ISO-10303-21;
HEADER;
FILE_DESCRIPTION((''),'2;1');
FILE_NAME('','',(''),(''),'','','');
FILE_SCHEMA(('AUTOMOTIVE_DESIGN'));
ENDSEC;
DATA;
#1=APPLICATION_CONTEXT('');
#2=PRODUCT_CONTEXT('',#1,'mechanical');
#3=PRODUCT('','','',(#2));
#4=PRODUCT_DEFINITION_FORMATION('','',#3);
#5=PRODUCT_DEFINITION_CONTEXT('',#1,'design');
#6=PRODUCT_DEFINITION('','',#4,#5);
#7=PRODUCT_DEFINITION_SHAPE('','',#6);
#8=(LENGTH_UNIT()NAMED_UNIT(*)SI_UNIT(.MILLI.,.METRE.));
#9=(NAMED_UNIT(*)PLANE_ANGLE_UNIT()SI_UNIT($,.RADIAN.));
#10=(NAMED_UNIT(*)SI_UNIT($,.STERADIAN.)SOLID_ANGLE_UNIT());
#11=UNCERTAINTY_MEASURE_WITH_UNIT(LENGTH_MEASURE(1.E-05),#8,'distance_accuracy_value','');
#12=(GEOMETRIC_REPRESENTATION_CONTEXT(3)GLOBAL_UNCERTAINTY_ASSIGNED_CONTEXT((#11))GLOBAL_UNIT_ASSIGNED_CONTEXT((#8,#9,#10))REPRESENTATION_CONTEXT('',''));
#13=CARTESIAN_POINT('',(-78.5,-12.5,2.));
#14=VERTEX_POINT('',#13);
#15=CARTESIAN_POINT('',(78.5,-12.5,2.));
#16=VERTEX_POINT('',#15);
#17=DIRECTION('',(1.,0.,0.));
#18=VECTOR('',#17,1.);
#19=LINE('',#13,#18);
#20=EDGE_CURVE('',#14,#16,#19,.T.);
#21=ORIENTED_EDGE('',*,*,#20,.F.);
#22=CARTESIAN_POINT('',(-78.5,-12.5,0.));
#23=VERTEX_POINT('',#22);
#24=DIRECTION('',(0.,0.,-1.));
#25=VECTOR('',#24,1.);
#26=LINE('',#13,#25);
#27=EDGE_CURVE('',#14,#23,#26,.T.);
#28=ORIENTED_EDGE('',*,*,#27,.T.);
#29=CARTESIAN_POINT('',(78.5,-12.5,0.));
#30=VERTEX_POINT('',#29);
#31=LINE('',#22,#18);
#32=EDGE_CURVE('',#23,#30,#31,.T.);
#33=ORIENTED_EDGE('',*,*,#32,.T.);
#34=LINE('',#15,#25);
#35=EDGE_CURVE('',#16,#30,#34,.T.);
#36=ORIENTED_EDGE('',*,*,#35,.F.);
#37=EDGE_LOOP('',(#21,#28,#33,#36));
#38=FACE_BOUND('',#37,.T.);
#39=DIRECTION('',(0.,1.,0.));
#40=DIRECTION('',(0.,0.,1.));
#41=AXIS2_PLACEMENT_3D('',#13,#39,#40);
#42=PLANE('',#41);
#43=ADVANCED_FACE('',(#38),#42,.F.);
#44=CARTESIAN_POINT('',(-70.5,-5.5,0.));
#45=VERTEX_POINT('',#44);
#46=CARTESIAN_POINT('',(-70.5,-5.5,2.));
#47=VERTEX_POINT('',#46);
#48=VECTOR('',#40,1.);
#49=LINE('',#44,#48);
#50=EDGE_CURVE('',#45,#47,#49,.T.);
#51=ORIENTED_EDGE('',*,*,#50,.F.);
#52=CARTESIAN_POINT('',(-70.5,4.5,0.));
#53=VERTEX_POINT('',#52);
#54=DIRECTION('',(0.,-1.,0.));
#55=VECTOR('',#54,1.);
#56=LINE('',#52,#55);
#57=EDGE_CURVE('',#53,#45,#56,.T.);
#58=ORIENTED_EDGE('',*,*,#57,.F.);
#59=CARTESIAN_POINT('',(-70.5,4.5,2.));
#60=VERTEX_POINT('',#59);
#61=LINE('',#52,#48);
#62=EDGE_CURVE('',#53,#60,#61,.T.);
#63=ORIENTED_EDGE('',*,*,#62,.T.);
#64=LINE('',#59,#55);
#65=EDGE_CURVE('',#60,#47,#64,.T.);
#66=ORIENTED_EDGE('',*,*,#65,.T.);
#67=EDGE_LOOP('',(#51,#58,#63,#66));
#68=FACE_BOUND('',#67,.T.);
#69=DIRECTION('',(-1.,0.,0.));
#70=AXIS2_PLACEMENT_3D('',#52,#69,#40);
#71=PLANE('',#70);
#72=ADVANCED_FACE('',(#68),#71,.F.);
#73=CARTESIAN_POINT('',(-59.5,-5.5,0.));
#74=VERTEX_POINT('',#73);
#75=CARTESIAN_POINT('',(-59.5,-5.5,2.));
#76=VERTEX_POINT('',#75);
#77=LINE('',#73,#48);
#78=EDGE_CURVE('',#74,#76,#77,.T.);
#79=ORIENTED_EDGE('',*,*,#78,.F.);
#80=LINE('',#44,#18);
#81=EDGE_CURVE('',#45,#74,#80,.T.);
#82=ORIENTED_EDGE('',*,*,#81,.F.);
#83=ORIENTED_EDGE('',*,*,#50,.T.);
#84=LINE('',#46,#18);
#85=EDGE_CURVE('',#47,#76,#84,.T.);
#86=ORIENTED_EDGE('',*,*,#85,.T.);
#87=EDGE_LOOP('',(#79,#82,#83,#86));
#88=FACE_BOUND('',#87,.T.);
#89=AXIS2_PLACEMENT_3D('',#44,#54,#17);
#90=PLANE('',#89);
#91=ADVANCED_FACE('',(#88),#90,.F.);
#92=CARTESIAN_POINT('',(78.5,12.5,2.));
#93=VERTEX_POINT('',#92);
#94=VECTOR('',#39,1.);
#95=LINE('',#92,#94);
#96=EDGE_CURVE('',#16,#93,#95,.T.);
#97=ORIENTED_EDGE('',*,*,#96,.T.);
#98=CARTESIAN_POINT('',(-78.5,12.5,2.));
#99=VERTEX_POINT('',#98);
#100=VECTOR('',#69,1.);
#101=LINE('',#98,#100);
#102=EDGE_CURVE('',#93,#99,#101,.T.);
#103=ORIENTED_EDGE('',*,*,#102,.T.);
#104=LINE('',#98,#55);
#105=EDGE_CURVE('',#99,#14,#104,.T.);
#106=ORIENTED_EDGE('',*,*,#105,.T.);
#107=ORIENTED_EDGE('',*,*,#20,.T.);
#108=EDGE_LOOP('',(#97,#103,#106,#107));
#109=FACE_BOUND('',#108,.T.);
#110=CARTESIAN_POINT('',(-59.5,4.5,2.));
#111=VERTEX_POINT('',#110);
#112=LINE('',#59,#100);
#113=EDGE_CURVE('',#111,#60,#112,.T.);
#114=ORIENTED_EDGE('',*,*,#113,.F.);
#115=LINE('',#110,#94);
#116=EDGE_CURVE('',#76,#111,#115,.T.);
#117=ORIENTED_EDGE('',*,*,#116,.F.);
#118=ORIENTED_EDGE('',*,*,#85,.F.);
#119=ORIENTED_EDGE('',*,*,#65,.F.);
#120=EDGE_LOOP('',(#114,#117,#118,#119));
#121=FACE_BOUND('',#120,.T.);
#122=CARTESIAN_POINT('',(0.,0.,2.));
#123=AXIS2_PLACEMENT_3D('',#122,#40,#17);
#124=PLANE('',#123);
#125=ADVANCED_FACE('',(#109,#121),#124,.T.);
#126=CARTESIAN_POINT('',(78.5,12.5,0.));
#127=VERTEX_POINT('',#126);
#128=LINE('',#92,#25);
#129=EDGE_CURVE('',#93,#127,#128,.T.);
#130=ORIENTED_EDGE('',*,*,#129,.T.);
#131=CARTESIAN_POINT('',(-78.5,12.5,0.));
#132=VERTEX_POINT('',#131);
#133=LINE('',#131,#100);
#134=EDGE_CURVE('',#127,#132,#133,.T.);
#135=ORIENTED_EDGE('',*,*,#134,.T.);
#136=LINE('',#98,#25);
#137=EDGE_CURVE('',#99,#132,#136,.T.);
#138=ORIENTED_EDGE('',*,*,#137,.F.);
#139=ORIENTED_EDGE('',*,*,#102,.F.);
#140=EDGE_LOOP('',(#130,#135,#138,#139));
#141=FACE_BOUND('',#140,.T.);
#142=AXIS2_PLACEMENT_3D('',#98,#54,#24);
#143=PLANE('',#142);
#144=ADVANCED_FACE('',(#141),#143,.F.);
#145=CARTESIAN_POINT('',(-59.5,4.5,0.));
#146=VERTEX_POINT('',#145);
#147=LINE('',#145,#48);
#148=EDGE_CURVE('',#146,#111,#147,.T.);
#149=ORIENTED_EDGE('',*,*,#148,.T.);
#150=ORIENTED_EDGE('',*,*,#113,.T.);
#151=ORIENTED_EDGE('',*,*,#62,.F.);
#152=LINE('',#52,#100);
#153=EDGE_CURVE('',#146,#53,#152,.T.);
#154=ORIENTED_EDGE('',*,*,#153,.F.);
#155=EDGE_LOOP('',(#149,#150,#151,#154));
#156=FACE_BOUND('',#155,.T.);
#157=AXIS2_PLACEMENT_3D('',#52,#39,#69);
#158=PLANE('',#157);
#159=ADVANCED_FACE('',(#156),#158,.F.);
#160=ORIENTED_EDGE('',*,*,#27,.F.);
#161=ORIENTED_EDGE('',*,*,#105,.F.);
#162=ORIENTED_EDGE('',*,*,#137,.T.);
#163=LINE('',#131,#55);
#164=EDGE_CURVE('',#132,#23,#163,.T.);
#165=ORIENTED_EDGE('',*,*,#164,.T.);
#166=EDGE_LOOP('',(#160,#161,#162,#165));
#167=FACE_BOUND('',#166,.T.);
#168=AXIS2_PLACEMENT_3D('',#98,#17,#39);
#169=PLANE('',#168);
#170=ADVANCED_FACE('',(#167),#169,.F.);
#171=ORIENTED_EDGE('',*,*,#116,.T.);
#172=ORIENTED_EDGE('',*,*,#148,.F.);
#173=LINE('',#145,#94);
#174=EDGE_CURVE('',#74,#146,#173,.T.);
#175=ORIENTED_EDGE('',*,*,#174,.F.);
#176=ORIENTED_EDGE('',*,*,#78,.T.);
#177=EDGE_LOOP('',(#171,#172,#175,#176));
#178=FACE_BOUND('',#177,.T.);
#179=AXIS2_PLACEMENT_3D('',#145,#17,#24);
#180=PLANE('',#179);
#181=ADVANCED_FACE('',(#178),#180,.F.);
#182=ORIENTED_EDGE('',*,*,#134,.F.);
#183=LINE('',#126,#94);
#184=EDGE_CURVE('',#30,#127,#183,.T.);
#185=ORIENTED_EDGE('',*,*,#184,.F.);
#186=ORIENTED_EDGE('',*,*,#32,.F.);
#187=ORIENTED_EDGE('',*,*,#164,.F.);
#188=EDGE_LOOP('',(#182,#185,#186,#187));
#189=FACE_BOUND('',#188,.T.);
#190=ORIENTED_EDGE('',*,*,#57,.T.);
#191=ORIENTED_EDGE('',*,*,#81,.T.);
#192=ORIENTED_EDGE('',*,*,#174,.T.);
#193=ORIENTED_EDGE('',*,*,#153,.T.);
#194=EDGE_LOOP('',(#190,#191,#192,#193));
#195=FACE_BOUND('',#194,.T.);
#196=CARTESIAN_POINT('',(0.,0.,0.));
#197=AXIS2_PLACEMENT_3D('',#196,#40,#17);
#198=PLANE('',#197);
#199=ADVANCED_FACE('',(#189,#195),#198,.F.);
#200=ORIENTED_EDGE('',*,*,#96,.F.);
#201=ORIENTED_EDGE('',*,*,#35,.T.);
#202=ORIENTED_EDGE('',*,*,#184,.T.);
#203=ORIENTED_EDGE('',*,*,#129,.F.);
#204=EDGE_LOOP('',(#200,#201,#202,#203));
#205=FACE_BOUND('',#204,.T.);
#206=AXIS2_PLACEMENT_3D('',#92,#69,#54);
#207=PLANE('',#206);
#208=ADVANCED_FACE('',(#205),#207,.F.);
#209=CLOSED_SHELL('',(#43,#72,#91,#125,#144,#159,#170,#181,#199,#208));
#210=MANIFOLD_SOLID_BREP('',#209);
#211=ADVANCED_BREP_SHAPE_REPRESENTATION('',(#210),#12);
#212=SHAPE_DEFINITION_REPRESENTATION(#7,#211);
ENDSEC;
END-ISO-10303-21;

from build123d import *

# Parameters (mm, degrees)
SKETCH1_W           = 157
SKETCH1_H           = 25
BOSS_EXTRUDE1_DEPTH = 2
SKETCH2_W           = 11
SKETCH2_H           = 10
CUT_EXTRUDE1_DEPTH  = 80.514149684


with BuildPart() as part:
    # Sketch1 → Boss-Extrude1 (new body)
    with BuildSketch(Plane.XY):
        Rectangle(SKETCH1_W, SKETCH1_H)
    extrude(amount=BOSS_EXTRUDE1_DEPTH)

    # Sketch2 → Cut-Extrude1 (cut, through all)
    with BuildSketch(Plane.XY.offset(2)):
        with Locations((-65, -0.5)):
            Rectangle(SKETCH2_W, SKETCH2_H)
    extrude(amount=-CUT_EXTRUDE1_DEPTH, mode=Mode.SUBTRACT)


solid = part.part
